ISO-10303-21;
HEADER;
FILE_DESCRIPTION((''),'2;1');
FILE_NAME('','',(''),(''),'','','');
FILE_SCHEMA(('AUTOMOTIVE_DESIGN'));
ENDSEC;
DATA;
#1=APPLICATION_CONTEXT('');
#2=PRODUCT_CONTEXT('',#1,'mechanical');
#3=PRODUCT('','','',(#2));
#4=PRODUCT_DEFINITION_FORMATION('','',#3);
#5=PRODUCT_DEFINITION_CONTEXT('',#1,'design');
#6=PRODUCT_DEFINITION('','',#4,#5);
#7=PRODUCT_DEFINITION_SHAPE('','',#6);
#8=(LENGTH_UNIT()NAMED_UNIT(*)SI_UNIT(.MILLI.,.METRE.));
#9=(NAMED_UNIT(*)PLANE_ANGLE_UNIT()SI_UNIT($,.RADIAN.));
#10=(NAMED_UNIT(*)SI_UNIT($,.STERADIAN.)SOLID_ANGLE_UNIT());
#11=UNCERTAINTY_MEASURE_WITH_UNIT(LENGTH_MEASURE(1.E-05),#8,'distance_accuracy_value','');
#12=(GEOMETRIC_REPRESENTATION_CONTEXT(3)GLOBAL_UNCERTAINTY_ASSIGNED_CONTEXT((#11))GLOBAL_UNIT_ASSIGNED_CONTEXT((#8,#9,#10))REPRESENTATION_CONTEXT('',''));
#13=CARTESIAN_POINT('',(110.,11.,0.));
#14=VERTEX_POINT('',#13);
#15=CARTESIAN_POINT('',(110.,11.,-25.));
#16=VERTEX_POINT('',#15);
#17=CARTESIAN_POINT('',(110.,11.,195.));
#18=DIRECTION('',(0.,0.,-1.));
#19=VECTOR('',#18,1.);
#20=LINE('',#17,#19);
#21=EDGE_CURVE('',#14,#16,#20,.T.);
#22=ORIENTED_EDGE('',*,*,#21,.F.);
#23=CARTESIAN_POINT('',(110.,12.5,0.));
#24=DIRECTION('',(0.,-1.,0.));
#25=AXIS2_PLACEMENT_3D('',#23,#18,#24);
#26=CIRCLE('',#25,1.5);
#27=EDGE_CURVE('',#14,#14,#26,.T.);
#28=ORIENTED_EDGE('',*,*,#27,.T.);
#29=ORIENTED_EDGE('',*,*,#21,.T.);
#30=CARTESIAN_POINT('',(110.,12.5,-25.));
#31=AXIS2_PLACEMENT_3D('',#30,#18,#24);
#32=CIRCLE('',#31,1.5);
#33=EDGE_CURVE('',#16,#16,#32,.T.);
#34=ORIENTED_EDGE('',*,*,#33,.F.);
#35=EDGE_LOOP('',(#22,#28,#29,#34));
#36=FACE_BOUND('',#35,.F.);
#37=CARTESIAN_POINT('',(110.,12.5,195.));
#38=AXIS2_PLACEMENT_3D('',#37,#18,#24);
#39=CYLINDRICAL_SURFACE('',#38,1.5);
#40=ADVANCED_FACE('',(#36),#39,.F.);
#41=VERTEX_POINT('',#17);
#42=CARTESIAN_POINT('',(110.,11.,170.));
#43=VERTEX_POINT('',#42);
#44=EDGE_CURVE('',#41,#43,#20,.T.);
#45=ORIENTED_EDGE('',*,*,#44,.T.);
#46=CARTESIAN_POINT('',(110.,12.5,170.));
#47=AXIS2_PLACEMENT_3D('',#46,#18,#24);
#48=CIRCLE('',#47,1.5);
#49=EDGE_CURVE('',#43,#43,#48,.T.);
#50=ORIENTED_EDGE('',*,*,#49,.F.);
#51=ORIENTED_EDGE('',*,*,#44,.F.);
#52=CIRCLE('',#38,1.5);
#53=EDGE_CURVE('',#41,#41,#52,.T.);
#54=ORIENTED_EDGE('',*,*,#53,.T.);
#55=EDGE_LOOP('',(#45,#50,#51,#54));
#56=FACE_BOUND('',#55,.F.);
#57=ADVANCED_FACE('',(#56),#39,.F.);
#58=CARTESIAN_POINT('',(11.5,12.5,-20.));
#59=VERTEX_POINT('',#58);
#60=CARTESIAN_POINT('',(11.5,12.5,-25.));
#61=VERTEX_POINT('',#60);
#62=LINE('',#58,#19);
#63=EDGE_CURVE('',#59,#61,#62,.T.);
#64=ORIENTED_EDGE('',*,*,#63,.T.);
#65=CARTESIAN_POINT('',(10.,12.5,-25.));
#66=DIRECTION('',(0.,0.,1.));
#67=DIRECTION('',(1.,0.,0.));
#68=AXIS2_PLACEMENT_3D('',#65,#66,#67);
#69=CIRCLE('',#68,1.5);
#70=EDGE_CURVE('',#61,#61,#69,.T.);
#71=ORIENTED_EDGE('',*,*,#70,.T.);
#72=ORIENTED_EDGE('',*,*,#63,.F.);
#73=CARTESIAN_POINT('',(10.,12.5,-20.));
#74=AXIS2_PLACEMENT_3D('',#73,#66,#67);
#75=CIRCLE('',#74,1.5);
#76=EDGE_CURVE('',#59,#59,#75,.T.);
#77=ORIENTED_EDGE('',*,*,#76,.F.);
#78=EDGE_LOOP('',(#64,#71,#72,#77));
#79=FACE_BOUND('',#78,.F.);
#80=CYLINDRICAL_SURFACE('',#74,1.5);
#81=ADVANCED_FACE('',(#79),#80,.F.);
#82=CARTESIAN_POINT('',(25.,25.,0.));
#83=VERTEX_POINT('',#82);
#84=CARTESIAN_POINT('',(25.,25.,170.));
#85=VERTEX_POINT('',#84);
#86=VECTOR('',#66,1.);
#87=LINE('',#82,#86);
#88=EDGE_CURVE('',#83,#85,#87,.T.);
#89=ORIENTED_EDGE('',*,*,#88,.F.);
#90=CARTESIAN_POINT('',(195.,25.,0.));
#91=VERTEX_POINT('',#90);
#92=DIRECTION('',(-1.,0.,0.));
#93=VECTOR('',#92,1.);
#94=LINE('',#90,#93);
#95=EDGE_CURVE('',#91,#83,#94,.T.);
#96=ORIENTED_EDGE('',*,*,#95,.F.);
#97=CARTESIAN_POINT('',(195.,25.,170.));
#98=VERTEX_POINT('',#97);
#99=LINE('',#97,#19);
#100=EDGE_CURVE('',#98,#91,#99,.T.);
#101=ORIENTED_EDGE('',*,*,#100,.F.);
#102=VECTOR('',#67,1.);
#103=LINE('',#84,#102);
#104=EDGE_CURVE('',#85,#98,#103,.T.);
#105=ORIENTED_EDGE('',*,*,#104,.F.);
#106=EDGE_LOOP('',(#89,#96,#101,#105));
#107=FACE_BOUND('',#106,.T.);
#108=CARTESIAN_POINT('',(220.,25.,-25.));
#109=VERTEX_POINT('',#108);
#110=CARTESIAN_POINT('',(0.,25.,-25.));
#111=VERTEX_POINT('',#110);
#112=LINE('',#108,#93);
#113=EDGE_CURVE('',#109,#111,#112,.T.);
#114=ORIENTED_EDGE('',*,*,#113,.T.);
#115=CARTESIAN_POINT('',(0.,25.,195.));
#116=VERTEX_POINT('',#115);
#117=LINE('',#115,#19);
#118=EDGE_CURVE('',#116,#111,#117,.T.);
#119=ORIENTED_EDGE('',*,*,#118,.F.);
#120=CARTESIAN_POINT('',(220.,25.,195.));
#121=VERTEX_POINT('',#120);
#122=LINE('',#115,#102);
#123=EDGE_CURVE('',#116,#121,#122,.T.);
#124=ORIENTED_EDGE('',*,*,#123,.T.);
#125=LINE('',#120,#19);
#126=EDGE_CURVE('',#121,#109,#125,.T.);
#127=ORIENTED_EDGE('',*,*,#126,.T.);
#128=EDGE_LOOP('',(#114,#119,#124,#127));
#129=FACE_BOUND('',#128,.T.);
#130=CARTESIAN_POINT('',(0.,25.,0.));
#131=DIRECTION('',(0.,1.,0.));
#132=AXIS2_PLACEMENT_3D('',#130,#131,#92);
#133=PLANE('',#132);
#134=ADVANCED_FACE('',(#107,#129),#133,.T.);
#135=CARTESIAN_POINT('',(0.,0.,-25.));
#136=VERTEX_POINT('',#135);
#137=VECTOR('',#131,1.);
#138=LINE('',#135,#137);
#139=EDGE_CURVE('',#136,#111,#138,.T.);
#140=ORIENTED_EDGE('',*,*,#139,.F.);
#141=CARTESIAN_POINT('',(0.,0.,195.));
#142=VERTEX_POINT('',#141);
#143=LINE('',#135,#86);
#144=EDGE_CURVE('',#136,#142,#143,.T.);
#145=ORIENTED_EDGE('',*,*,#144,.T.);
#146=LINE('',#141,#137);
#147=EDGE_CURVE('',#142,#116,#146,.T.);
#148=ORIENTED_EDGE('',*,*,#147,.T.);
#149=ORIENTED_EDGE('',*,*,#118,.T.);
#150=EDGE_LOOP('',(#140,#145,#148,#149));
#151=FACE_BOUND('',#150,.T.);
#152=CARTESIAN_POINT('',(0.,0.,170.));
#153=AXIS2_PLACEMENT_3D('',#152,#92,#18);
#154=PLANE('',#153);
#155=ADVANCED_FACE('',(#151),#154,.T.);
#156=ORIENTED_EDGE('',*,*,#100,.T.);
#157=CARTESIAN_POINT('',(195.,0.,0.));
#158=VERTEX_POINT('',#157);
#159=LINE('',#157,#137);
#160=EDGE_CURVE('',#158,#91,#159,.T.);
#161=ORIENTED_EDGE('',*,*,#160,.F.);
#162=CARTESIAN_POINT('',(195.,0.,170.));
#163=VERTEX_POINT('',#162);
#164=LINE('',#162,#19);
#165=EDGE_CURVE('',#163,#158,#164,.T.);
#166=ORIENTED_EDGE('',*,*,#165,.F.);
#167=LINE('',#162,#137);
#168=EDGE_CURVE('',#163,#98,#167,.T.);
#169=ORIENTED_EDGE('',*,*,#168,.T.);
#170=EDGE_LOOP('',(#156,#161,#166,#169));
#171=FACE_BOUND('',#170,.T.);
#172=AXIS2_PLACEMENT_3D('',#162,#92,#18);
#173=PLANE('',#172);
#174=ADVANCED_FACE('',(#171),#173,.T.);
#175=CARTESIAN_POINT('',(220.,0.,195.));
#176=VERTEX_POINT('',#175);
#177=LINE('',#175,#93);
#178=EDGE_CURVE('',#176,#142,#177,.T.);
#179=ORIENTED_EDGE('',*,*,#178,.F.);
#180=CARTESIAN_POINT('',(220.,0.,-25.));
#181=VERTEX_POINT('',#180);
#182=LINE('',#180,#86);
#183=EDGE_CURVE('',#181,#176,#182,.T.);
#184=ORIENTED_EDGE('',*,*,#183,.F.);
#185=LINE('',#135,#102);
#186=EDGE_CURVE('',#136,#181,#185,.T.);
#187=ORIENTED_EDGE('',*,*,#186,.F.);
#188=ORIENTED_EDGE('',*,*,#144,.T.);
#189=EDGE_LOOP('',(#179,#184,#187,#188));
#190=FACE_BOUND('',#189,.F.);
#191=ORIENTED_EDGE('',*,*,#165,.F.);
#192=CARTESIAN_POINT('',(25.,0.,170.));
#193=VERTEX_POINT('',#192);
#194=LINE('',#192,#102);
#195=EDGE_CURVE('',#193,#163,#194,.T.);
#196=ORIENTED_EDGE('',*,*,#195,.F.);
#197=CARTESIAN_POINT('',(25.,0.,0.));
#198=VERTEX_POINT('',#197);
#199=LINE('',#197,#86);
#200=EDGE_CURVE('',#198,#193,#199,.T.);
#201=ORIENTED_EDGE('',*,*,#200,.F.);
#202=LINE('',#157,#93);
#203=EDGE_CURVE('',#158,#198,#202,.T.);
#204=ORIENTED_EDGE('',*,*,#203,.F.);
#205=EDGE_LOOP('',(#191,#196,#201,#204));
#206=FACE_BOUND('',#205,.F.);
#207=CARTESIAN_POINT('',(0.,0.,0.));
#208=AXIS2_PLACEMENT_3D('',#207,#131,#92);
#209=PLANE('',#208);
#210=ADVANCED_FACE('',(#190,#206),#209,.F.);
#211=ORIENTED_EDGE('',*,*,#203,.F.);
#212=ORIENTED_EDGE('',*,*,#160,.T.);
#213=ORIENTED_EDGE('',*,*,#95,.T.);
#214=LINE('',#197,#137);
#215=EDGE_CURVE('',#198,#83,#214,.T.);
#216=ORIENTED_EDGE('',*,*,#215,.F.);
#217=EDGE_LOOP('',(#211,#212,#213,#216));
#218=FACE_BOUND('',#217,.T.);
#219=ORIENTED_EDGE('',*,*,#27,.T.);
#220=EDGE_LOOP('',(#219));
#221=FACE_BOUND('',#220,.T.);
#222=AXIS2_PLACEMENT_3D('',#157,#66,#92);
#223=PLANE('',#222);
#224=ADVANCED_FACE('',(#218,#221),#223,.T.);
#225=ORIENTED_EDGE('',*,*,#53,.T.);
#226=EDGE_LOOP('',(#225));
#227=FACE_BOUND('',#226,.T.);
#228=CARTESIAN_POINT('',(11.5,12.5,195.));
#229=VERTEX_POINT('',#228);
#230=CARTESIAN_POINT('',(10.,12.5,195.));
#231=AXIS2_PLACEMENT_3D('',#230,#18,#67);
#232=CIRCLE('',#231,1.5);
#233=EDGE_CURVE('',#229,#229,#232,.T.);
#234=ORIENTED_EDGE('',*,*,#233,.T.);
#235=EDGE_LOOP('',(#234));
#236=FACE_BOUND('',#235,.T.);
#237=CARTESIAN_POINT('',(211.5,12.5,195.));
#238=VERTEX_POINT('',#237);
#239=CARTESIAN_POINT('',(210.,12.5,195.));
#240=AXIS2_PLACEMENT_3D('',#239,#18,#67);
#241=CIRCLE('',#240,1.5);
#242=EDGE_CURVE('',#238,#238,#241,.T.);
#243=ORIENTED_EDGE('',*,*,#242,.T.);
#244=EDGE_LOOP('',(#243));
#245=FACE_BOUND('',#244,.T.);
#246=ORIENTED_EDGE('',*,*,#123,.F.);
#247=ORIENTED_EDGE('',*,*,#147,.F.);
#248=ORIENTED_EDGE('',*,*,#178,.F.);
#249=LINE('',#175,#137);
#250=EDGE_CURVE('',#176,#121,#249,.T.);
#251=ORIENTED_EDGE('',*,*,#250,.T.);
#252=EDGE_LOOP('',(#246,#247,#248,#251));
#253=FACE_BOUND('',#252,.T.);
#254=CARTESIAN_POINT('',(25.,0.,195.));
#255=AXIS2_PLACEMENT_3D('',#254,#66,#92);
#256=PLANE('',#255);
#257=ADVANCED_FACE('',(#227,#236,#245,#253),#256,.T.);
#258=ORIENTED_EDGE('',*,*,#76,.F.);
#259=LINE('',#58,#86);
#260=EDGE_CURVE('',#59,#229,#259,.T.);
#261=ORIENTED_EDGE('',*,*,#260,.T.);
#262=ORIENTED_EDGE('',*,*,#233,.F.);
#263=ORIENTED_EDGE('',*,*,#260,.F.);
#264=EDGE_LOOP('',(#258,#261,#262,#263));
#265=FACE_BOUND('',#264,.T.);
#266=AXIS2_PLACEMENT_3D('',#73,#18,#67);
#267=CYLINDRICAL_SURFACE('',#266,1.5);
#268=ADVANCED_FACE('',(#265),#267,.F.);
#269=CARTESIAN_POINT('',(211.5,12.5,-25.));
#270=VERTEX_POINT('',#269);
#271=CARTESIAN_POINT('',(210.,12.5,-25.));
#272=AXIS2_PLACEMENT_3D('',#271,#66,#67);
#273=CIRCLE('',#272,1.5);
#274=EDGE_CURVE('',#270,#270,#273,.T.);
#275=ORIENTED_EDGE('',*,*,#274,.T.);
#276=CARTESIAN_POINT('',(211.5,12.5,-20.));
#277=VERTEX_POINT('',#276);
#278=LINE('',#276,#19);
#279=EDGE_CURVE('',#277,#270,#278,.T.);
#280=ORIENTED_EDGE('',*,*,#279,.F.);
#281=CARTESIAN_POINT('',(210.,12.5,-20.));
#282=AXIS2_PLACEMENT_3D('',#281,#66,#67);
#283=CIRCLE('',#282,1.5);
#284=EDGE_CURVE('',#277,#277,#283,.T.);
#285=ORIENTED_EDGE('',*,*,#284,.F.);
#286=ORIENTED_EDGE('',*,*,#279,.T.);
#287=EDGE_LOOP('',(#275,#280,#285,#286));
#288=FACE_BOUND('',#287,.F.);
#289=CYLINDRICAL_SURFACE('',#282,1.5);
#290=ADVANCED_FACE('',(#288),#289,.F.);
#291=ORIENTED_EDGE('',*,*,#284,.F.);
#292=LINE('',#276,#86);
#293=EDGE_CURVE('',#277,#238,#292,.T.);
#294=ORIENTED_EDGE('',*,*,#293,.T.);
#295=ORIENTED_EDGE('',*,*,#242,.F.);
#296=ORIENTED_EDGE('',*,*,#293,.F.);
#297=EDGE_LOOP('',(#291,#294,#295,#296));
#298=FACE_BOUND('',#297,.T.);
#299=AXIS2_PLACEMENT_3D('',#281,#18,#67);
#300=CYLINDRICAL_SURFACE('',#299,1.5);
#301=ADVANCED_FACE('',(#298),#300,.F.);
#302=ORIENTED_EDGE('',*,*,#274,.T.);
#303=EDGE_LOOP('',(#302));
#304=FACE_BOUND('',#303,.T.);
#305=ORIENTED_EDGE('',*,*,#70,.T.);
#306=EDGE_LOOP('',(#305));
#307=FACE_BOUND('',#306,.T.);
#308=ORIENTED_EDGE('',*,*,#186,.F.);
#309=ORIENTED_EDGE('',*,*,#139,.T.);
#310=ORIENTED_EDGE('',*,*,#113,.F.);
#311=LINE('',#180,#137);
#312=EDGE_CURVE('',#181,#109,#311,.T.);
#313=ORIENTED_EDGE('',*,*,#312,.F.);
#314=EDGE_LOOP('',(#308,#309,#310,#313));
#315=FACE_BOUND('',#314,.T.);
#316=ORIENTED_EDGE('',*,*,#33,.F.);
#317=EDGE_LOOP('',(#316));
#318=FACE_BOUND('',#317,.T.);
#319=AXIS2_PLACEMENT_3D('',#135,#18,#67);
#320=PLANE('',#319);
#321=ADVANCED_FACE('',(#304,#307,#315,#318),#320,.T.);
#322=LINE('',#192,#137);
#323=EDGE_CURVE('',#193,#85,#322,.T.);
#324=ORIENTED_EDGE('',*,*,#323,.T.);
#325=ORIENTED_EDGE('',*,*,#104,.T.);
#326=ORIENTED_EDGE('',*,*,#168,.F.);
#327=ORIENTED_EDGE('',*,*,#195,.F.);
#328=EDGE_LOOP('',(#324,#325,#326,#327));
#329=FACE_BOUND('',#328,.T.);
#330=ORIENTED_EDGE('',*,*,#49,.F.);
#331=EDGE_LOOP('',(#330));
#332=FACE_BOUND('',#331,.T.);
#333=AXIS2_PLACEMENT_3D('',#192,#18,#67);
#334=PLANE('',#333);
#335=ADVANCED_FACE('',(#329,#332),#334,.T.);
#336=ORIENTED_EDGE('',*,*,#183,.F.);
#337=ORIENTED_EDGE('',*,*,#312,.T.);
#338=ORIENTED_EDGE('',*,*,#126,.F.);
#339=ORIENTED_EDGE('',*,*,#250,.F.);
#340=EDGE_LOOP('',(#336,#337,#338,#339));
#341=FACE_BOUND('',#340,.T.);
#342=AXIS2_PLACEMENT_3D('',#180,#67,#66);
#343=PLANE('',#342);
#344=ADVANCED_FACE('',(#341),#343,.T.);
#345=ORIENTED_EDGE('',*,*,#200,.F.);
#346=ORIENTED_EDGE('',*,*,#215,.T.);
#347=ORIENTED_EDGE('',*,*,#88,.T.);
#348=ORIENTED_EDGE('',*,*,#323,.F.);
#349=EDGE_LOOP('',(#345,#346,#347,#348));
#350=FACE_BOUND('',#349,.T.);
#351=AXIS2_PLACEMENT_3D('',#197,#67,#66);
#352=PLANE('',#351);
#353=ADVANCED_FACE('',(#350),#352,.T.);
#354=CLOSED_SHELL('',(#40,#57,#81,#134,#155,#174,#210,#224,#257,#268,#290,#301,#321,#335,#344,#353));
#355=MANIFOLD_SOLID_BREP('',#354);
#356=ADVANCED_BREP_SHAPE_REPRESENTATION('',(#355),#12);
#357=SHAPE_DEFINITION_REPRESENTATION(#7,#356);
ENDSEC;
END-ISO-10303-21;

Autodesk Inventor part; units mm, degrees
ref_plane "YZ Plane" through (0, 0, 0) normal (1, 0, 0) x (0, 1, 0)
ref_plane "XZ Plane" through (0, 0, 0) normal (0, 1, 0) x (-1, 0, 0)
sketch "Sketch1" plane through (0, 0, 0) normal (0, 1, 0) x (-1, 0, 0)
  line L0 (0, 170) -> (0, 0)
  line L1 (-195, -25) -> (-25, -25)
  line L2 (-220, 0) -> (-220, 170)
  line L3 (-25, 195) -> (-195, 195)
  line L4 (-25, 195) -> (0, 195)
  line L5 (0, 195) -> (0, 170)
  line L6 (0, 0) -> (0, -25)
  line L7 (0, -25) -> (-25, -25)
  line L8 (-195, -25) -> (-220, -25)
  line L9 (-220, -25) -> (-220, 0)
  line L10 (-220, 170) -> (-220, 195)
  line L11 (-195, 195) -> (-220, 195)
  line L12 (-25, 170) -> (-195, 170)
  line L13 (-195, 170) -> (-195, 0)
  line L14 (-195, 0) -> (-25, 0)
  line L15 (-25, 0) -> (-25, 170)
  line L16 (-25, 170) -> (-195, 0) construction
  line L17 (-195, 170) -> (-25, 0) construction
  point P0 (-110, 85)
  dimension "d2" = 170
  dimension "d5" = 170
  dimension "d7" = 170
  dimension "d8" = 170
extrude "Extrusion1" add sketch "Sketch1" along normal blind 25
ref_plane "Work Plane1" through (0, 0, -20) normal (0, 0, 1) x (1, 0, 0)
sketch "Sketch2" plane through (0, 0, -20) normal (0, 0, 1) x (1, 0, 0)
  line L0 (0, 0) -> (0, 25) projected
  circle A0 centre (10, 12.5) radius 1.5
  line L1 (220, 0) -> (220, 25) projected
  circle A1 centre (210, 12.5) radius 1.5
extrude "Extrusion2" cut sketch "Sketch2" along normal through all both and the other way through all
sketch "Sketch3" plane through (0, 0, 195) normal (0, 0, 1) x (1, 0, 0)
  line L0 (195, 25) -> (25, 25) projected
  circle A0 centre (110, 12.5) radius 1.5
hole "Hole1" at (110, 12.5, 195) direction (0, 0, -1) diameter 3 end through all
properties part number "sambung kotak"
